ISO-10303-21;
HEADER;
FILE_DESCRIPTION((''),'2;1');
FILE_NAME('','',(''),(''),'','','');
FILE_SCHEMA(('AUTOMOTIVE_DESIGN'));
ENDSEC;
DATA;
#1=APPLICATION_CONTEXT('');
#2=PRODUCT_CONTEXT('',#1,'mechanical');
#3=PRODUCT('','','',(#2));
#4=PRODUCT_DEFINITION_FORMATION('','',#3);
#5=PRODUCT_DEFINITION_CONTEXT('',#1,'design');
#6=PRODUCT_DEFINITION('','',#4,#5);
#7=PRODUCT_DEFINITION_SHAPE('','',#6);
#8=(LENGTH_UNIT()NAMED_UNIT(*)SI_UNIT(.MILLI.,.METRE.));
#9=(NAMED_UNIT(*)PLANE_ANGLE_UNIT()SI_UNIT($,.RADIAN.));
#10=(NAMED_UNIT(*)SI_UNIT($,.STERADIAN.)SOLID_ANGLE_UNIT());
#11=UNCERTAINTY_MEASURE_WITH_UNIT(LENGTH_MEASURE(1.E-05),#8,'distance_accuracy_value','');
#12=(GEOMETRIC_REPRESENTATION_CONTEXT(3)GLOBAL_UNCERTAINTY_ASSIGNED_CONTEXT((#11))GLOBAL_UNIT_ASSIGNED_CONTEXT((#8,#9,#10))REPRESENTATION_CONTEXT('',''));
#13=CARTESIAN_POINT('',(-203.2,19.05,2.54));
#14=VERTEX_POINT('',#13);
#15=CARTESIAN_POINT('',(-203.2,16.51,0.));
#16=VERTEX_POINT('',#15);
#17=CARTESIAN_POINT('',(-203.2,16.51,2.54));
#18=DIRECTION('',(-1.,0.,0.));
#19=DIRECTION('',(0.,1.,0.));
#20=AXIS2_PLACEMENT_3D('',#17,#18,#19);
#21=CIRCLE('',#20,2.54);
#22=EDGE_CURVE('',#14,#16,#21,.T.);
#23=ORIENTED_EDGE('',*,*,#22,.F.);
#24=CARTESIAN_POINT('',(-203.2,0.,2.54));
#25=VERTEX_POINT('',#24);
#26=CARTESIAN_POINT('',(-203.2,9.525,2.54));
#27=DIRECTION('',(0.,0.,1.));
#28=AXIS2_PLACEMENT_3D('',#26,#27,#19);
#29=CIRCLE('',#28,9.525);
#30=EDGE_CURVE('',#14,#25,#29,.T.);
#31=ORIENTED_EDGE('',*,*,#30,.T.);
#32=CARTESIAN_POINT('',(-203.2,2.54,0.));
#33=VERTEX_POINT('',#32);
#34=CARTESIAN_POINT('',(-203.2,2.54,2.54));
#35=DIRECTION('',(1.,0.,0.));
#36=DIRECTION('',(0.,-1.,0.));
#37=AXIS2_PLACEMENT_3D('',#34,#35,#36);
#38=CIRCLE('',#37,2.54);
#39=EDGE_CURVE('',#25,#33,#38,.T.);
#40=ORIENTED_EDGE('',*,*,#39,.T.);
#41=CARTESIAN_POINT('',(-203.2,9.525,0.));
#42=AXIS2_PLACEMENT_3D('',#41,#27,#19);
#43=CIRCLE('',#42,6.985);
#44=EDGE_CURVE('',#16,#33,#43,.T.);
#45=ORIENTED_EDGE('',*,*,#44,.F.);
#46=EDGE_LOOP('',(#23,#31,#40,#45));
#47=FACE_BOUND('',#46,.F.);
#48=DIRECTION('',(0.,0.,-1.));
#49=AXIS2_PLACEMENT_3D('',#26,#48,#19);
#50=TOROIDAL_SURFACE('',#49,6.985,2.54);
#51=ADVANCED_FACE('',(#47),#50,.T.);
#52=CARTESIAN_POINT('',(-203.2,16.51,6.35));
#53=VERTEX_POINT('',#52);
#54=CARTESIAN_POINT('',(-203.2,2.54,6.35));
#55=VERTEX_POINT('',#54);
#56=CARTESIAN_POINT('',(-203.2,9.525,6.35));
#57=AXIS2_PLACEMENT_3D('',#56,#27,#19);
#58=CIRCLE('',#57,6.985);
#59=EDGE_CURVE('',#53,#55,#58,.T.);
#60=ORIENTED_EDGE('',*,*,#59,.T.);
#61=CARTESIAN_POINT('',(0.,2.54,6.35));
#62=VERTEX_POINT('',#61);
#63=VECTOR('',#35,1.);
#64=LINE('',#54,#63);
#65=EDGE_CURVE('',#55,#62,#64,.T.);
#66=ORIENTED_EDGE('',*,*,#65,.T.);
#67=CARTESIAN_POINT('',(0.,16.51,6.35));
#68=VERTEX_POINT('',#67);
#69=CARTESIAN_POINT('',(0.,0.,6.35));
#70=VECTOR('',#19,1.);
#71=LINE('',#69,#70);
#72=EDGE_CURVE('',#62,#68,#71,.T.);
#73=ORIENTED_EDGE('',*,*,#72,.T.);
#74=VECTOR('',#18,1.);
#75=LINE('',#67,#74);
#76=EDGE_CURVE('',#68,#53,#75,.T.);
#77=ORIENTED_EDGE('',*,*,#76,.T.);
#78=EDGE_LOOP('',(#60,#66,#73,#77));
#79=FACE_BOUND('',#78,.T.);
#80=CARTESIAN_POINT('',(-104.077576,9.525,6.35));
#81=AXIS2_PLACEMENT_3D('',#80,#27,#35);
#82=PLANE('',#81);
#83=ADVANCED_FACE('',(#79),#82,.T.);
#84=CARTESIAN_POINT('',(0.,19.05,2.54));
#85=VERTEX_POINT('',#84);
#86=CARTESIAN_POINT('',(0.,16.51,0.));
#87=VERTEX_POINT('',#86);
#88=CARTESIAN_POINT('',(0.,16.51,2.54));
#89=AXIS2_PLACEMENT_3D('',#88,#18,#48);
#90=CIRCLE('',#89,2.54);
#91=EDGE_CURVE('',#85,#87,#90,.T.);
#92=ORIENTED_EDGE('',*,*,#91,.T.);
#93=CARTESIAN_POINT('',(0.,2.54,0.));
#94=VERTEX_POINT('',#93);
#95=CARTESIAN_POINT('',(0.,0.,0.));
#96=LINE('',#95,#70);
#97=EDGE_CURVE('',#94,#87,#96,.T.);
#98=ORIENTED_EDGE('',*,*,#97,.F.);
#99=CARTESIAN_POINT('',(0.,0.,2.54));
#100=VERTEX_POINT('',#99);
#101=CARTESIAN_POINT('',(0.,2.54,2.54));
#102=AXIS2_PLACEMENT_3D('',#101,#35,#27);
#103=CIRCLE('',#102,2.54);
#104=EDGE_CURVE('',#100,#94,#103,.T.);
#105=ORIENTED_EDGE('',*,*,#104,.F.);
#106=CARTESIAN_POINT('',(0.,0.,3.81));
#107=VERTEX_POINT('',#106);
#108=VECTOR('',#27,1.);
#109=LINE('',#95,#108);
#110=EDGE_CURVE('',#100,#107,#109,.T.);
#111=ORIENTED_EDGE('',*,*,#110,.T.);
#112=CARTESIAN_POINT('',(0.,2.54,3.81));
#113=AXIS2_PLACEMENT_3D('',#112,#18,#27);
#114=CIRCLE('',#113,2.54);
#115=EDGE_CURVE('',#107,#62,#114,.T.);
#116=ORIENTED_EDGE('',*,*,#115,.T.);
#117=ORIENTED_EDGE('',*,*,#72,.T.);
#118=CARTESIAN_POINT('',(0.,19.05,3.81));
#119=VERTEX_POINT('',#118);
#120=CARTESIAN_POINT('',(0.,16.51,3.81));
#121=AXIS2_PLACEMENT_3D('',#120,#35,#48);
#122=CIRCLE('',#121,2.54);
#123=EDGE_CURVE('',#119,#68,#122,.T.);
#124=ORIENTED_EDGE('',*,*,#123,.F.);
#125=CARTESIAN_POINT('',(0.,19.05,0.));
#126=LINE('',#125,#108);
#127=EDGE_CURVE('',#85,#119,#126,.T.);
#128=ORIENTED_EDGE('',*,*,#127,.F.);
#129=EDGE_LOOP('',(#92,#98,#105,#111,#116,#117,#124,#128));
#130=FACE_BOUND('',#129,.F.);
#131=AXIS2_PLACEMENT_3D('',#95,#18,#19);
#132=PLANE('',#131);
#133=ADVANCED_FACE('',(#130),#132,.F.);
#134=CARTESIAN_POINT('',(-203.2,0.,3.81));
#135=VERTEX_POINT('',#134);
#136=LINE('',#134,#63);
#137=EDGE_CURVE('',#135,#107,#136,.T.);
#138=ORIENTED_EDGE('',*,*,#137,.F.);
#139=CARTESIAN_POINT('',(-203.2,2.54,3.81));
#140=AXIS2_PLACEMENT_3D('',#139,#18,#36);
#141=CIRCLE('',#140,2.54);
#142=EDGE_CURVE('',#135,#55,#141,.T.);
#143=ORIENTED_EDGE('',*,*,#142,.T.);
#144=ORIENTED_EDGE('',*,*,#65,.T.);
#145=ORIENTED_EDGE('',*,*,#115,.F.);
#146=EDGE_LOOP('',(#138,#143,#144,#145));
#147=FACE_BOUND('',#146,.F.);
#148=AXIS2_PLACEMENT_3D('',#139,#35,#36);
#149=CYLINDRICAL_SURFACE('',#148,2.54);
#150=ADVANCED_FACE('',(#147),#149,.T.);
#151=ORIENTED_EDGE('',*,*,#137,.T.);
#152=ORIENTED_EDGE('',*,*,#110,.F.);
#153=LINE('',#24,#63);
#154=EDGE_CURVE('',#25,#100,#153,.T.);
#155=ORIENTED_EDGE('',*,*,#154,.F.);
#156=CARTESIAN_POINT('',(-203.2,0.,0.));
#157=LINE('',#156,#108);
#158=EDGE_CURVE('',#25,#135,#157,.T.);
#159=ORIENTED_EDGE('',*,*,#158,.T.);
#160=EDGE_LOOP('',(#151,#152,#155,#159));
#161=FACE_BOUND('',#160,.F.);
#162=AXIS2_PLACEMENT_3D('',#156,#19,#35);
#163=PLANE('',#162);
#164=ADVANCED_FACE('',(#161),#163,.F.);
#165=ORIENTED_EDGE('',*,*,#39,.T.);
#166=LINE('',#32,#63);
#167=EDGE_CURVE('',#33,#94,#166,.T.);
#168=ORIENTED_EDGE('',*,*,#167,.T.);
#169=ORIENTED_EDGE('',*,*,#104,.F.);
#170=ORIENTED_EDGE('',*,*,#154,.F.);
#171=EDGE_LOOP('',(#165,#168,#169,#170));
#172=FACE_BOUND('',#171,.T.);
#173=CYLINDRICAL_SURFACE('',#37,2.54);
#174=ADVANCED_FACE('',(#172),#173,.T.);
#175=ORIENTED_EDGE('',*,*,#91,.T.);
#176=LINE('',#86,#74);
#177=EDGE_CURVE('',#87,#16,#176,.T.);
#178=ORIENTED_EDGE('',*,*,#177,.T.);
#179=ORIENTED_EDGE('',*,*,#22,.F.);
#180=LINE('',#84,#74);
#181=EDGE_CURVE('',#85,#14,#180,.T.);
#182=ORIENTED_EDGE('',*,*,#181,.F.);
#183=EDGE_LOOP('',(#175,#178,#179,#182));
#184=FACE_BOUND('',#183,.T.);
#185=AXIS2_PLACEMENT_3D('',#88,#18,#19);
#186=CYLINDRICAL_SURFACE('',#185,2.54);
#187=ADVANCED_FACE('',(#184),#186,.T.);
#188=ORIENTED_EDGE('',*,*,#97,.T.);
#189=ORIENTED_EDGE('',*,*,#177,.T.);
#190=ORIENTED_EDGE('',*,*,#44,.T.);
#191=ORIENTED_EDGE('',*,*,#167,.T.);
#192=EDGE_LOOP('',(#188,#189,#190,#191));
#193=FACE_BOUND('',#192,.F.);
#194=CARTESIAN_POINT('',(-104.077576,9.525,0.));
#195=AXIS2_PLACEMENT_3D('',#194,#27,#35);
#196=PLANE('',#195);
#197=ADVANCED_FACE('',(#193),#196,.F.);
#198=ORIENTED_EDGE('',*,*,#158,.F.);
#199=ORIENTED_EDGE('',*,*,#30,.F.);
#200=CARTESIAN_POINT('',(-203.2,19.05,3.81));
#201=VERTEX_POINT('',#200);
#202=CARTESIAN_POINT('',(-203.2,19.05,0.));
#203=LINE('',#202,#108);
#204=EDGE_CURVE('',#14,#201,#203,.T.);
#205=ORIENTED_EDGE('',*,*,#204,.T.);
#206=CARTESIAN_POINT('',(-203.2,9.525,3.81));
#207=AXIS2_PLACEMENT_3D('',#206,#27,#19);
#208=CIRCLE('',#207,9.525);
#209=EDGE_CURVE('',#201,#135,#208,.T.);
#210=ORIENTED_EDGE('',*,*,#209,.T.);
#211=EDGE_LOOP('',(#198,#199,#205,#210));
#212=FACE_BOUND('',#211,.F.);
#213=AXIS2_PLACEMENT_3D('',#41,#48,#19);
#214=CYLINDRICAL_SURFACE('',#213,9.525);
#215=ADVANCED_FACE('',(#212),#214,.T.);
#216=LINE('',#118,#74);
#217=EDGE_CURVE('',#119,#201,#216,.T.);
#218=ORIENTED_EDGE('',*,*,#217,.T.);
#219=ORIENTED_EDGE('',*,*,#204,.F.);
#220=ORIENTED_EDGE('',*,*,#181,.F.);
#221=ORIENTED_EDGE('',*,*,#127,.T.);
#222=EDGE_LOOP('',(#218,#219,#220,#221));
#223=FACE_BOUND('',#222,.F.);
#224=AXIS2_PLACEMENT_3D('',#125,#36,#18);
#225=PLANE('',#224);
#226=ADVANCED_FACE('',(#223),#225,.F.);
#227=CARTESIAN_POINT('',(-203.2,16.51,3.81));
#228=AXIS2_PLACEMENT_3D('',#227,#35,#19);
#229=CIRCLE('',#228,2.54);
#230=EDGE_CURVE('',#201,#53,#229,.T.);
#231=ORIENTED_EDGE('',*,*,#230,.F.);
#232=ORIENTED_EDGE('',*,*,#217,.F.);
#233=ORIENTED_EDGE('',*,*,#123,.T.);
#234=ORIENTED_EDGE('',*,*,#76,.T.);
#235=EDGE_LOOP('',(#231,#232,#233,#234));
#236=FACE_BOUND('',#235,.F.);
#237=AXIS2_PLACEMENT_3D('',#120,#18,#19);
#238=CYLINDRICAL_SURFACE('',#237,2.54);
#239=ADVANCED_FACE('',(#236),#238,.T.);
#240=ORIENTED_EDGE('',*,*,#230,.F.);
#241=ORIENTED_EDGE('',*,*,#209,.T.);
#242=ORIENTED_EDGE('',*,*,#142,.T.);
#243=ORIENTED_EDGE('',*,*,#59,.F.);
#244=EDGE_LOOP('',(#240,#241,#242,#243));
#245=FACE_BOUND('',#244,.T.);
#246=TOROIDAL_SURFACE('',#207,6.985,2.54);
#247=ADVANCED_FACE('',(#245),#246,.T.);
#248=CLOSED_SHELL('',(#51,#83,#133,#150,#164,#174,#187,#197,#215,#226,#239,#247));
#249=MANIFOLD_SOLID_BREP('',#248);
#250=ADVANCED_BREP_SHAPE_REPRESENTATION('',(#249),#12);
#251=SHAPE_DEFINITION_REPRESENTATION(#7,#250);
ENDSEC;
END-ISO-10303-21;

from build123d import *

# Parameters (mm, degrees)
F1_DEPTH = 6.35
F2_R     = 2.54


with BuildPart() as f1:
    # F0 (on Top) → F1 (new body)
    with BuildSketch(Plane.XY):
        with BuildLine():
            Line((-203.2, 0), (0, 0))
            Line((0, 0), (0, 19.05))
            Line((0, 19.05), (-203.2, 19.05))
            ThreePointArc((-203.2, 19.05), (-212.725, 9.525), (-203.2, 0))
        make_face()
    extrude(amount=F1_DEPTH)

    # F2
    f2_edges = [f1.edges().sort_by_distance(p)[0] for p in [
        (-101.6, 19.05, 0),
        (-101.6, 19.05, 6.35),
    ]]
    fillet(f2_edges, radius=F2_R)


solid = f1.part
